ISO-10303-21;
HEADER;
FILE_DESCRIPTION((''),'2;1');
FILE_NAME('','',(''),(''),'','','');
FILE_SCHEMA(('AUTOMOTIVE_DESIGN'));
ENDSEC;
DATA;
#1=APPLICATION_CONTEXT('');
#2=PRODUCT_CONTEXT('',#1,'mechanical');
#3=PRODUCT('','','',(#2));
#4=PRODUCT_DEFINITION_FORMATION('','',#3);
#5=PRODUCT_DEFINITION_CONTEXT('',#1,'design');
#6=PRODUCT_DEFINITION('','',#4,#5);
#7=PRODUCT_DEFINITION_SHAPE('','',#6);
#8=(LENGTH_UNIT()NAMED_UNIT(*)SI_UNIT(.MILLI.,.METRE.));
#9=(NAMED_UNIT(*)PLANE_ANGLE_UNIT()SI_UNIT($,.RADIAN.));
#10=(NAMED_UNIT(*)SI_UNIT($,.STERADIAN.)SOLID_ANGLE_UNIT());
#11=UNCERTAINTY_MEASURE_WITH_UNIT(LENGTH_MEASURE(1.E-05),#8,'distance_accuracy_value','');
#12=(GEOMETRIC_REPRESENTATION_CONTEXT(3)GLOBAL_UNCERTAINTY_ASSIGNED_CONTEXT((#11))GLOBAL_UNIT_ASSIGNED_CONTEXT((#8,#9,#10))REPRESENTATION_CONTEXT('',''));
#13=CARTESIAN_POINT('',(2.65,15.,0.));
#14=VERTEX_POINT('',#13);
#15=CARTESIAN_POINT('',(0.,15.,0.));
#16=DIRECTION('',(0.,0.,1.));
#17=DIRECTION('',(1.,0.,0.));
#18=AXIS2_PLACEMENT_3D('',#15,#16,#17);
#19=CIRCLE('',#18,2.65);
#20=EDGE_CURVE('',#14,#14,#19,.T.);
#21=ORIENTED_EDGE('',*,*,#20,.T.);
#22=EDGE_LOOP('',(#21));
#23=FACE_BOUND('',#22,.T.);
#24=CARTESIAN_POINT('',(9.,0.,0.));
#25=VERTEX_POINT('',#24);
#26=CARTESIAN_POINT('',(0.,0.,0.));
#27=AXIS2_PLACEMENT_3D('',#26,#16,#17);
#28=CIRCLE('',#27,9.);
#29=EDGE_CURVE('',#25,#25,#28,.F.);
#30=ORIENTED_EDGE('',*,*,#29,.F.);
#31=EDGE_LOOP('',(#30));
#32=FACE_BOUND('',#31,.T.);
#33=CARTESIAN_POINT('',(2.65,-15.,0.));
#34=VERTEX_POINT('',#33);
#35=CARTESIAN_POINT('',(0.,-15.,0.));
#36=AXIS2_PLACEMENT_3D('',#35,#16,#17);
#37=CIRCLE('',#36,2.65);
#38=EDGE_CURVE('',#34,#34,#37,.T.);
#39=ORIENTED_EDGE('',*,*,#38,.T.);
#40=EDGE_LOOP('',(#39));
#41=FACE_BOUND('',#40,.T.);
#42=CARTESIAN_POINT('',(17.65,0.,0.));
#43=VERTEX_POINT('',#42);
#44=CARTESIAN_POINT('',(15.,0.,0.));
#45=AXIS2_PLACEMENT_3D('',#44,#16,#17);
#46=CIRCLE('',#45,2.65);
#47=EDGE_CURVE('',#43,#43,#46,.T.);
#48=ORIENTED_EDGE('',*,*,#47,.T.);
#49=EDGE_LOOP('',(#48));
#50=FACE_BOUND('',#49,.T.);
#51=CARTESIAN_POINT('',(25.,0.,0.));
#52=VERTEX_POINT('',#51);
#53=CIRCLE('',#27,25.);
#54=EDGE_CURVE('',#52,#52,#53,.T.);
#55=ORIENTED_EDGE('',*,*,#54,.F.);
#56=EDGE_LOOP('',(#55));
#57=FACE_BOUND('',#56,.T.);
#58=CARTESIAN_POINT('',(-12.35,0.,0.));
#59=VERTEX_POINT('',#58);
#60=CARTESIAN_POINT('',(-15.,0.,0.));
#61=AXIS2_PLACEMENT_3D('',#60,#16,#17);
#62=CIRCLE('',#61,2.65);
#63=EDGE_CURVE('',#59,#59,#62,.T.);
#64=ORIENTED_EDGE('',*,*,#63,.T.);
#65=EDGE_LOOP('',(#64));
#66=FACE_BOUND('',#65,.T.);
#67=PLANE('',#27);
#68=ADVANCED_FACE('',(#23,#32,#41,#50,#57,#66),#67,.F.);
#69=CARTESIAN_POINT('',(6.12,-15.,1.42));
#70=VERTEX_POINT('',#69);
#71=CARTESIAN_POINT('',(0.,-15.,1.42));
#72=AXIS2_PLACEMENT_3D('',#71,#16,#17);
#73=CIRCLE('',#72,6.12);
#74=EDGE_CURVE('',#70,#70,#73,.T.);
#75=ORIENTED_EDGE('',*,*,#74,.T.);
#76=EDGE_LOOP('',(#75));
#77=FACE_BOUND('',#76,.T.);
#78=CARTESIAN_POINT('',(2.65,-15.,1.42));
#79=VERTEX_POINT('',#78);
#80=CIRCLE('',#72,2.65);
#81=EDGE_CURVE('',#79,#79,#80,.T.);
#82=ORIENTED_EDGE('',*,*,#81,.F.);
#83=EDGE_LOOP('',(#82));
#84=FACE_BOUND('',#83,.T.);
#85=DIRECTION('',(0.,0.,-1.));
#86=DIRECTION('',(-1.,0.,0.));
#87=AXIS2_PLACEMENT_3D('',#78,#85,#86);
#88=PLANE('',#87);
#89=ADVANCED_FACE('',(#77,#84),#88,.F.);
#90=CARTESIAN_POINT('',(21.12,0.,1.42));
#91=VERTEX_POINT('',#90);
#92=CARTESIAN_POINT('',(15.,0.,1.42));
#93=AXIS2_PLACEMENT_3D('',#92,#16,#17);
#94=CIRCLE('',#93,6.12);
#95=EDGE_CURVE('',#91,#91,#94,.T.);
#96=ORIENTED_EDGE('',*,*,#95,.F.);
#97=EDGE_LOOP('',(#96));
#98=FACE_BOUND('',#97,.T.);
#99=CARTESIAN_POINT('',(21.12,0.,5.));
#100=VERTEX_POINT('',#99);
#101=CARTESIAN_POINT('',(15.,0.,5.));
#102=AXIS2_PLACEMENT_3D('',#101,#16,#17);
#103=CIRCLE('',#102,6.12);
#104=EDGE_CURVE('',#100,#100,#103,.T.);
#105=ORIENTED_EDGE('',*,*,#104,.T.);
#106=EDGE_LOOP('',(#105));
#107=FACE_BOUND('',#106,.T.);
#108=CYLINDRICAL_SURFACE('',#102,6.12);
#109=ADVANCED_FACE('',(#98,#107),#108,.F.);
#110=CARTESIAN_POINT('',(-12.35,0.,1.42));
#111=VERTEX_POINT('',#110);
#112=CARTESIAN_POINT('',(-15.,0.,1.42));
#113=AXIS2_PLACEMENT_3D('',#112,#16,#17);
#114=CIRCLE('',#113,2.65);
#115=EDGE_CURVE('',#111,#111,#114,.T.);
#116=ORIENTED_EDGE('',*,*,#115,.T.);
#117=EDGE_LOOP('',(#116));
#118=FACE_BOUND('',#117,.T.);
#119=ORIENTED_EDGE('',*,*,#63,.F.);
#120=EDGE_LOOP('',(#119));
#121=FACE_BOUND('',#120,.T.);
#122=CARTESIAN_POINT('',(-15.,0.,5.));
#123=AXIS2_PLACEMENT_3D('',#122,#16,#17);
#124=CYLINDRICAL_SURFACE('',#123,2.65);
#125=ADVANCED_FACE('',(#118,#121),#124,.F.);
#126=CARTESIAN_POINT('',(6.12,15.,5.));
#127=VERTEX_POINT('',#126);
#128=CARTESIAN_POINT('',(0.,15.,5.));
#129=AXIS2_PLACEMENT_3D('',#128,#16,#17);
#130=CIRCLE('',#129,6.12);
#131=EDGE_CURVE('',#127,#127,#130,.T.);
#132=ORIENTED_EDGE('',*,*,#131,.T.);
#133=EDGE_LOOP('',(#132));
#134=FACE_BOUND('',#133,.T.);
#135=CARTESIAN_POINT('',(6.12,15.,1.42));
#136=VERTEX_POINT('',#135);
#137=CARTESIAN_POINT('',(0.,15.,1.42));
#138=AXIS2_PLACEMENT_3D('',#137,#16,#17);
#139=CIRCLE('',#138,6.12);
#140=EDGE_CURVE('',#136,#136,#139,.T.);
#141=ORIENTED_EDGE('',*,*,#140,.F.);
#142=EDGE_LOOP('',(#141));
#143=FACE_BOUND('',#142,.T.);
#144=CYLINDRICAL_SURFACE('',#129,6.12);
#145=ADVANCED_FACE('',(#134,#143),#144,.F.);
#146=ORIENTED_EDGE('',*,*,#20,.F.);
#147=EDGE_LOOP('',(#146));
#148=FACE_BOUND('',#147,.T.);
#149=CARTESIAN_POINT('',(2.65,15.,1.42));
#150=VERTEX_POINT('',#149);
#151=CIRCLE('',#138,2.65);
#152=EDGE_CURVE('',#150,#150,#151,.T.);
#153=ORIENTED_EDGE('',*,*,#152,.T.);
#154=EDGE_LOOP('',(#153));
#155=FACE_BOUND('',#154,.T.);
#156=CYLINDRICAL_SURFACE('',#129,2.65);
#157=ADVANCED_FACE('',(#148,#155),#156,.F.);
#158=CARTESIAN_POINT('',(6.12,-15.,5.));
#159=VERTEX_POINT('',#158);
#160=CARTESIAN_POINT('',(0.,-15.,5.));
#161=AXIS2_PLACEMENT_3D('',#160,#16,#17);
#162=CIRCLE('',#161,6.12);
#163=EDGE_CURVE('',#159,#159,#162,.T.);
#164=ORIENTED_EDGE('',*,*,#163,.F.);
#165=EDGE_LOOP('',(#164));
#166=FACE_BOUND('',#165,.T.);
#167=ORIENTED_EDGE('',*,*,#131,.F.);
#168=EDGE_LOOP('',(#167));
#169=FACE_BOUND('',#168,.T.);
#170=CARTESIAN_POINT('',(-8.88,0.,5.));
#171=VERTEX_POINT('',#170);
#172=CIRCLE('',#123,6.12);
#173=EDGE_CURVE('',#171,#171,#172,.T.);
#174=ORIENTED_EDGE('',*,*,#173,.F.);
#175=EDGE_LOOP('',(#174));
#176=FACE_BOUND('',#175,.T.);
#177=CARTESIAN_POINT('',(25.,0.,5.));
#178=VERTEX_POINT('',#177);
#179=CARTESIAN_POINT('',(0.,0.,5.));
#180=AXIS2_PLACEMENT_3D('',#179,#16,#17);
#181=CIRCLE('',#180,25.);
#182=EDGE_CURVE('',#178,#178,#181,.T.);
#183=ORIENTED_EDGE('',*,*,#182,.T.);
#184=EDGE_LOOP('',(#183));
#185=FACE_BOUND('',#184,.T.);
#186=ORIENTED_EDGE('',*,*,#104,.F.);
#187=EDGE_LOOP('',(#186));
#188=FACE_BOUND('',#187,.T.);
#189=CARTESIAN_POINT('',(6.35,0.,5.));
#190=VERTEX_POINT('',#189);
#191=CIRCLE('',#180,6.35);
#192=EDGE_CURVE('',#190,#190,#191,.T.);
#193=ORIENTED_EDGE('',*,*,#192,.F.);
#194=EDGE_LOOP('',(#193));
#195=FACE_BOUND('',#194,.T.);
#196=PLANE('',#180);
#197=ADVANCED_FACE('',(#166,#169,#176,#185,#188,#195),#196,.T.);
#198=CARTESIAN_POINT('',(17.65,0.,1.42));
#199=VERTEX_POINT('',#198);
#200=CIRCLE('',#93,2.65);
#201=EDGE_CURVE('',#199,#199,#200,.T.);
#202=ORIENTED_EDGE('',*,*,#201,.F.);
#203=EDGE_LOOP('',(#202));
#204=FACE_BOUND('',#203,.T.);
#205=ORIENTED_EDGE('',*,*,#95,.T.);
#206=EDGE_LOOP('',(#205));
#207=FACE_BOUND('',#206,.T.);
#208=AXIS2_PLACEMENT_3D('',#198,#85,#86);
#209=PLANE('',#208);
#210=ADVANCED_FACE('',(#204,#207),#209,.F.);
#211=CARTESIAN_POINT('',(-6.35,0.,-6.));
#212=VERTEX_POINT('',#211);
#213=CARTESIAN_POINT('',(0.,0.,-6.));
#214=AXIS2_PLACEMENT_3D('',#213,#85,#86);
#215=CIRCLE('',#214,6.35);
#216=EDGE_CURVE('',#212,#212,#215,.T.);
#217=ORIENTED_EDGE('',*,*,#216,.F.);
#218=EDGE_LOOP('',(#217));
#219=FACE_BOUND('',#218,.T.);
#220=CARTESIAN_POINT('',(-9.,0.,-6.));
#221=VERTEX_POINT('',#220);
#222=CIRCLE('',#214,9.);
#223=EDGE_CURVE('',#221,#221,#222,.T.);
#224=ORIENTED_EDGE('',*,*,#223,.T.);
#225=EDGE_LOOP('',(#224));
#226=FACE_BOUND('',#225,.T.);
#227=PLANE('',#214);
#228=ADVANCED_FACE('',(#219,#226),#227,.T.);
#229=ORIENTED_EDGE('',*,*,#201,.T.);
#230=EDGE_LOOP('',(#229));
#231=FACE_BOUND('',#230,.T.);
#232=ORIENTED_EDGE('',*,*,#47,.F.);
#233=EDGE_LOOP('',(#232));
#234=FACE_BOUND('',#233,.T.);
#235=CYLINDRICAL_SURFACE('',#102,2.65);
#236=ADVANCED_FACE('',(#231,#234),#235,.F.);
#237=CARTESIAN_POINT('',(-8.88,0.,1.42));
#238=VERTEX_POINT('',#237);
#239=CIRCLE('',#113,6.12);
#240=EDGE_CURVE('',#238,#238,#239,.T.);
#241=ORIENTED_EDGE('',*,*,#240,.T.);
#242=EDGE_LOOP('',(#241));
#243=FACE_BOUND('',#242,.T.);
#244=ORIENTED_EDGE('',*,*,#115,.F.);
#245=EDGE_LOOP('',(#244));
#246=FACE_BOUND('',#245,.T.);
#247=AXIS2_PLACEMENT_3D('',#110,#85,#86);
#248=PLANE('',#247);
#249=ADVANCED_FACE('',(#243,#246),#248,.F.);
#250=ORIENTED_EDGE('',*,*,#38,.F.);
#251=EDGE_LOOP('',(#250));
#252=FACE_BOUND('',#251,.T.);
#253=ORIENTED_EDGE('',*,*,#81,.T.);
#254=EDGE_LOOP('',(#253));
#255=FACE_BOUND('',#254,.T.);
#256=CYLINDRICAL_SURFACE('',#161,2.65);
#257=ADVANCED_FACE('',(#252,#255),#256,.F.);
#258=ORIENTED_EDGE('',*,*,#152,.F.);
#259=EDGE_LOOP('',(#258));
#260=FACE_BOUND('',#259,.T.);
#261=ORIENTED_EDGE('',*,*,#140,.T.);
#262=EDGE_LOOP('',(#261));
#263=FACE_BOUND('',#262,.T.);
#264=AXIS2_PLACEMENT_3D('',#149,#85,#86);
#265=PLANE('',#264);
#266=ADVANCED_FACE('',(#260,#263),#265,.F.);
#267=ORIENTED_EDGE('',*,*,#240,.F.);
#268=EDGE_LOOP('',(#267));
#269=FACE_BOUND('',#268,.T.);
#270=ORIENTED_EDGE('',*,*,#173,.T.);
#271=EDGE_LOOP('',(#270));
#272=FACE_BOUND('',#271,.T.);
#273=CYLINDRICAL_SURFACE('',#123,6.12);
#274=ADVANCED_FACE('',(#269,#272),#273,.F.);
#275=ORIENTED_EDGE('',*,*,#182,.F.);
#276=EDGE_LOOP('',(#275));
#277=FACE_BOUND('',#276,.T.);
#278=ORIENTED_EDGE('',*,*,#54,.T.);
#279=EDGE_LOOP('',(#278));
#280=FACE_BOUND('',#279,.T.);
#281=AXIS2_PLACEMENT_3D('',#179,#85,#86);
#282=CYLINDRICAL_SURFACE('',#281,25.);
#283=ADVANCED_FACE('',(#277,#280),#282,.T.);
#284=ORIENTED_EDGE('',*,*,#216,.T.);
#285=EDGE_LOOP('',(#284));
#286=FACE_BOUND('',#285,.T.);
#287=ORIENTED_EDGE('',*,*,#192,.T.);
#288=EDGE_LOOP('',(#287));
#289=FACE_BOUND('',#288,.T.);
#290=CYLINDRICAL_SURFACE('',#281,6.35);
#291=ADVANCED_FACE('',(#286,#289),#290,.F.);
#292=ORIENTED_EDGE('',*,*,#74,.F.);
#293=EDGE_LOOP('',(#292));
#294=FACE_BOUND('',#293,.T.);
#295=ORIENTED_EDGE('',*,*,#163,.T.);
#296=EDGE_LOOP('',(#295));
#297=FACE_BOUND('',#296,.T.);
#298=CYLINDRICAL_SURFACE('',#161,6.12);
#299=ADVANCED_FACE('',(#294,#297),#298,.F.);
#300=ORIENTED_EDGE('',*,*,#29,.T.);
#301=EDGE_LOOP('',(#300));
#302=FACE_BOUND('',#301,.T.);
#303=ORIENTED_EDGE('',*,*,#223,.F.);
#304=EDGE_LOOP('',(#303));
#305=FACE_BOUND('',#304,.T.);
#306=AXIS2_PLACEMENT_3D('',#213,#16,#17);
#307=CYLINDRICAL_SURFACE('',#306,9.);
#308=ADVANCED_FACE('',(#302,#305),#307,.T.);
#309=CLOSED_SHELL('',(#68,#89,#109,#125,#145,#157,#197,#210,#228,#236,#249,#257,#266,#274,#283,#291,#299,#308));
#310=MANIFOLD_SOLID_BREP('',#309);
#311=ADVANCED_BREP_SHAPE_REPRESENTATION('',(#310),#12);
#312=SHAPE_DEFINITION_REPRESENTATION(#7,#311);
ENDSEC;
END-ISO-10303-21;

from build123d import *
from build123d.topology import SkipClean

# Parameters (mm, degrees)
SKETCH1_R                               = 25
SKETCH1_R_2                             = 6.35
BOSS_EXTRUDE1_DEPTH                     = 5
BOSS_EXTRUDE2_START                     = 6
SKETCH2_R                               = 9
SKETCH2_R_2                             = 6.35
BOSS_EXTRUDE2_DEPTH                     = 6
CBORE_FOR_M5_HEX_HEAD_BOLT1_D           = 5.3
CBORE_FOR_M5_HEX_HEAD_BOLT1_DEPTH       = 19.75
CBORE_FOR_M5_HEX_HEAD_BOLT1_CBORE_D     = 12.24
CBORE_FOR_M5_HEX_HEAD_BOLT1_CBORE_DEPTH = 3.58
CBORE_FOR_M5_HEX_HEAD_BOLT1_TIP         = 1.59228064


with BuildPart() as part:
    # Sketch1 → Boss-Extrude1 (new body)
    with BuildSketch(Plane.XY):
        Circle(SKETCH1_R)
        Circle(SKETCH1_R_2, mode=Mode.SUBTRACT)
    extrude(amount=BOSS_EXTRUDE1_DEPTH)

    # Sketch2 → Boss-Extrude2 (add)
    with SkipClean():  # the faces are left unmerged after this step: merging them gives an invalid solid
        with BuildSketch(Plane(origin=(0, 0, 0), x_dir=(-1, 0, 0), z_dir=(0, 0, -1)).offset(BOSS_EXTRUDE2_START)):
            with Locations(Location((0, 0, 0), (0, 0, 180))):
                Circle(SKETCH2_R)
            Circle(SKETCH2_R_2, mode=Mode.SUBTRACT)
        extrude(amount=-BOSS_EXTRUDE2_DEPTH)

    # CBORE for M5 Hex Head Bolt1
    with Locations(Plane.XY.offset(5)):
        with Locations((0, 15), (15, 0), (0, -15), (-15, 0)):
            CounterBoreHole(CBORE_FOR_M5_HEX_HEAD_BOLT1_D / 2, CBORE_FOR_M5_HEX_HEAD_BOLT1_CBORE_D / 2, CBORE_FOR_M5_HEX_HEAD_BOLT1_CBORE_DEPTH, depth=CBORE_FOR_M5_HEX_HEAD_BOLT1_DEPTH)
            with Locations((0, 0, -(CBORE_FOR_M5_HEX_HEAD_BOLT1_DEPTH + CBORE_FOR_M5_HEX_HEAD_BOLT1_TIP / 2))):  # 118° drill point
                Cone(0, CBORE_FOR_M5_HEX_HEAD_BOLT1_D / 2, CBORE_FOR_M5_HEX_HEAD_BOLT1_TIP, mode=Mode.SUBTRACT)


solid = part.part
